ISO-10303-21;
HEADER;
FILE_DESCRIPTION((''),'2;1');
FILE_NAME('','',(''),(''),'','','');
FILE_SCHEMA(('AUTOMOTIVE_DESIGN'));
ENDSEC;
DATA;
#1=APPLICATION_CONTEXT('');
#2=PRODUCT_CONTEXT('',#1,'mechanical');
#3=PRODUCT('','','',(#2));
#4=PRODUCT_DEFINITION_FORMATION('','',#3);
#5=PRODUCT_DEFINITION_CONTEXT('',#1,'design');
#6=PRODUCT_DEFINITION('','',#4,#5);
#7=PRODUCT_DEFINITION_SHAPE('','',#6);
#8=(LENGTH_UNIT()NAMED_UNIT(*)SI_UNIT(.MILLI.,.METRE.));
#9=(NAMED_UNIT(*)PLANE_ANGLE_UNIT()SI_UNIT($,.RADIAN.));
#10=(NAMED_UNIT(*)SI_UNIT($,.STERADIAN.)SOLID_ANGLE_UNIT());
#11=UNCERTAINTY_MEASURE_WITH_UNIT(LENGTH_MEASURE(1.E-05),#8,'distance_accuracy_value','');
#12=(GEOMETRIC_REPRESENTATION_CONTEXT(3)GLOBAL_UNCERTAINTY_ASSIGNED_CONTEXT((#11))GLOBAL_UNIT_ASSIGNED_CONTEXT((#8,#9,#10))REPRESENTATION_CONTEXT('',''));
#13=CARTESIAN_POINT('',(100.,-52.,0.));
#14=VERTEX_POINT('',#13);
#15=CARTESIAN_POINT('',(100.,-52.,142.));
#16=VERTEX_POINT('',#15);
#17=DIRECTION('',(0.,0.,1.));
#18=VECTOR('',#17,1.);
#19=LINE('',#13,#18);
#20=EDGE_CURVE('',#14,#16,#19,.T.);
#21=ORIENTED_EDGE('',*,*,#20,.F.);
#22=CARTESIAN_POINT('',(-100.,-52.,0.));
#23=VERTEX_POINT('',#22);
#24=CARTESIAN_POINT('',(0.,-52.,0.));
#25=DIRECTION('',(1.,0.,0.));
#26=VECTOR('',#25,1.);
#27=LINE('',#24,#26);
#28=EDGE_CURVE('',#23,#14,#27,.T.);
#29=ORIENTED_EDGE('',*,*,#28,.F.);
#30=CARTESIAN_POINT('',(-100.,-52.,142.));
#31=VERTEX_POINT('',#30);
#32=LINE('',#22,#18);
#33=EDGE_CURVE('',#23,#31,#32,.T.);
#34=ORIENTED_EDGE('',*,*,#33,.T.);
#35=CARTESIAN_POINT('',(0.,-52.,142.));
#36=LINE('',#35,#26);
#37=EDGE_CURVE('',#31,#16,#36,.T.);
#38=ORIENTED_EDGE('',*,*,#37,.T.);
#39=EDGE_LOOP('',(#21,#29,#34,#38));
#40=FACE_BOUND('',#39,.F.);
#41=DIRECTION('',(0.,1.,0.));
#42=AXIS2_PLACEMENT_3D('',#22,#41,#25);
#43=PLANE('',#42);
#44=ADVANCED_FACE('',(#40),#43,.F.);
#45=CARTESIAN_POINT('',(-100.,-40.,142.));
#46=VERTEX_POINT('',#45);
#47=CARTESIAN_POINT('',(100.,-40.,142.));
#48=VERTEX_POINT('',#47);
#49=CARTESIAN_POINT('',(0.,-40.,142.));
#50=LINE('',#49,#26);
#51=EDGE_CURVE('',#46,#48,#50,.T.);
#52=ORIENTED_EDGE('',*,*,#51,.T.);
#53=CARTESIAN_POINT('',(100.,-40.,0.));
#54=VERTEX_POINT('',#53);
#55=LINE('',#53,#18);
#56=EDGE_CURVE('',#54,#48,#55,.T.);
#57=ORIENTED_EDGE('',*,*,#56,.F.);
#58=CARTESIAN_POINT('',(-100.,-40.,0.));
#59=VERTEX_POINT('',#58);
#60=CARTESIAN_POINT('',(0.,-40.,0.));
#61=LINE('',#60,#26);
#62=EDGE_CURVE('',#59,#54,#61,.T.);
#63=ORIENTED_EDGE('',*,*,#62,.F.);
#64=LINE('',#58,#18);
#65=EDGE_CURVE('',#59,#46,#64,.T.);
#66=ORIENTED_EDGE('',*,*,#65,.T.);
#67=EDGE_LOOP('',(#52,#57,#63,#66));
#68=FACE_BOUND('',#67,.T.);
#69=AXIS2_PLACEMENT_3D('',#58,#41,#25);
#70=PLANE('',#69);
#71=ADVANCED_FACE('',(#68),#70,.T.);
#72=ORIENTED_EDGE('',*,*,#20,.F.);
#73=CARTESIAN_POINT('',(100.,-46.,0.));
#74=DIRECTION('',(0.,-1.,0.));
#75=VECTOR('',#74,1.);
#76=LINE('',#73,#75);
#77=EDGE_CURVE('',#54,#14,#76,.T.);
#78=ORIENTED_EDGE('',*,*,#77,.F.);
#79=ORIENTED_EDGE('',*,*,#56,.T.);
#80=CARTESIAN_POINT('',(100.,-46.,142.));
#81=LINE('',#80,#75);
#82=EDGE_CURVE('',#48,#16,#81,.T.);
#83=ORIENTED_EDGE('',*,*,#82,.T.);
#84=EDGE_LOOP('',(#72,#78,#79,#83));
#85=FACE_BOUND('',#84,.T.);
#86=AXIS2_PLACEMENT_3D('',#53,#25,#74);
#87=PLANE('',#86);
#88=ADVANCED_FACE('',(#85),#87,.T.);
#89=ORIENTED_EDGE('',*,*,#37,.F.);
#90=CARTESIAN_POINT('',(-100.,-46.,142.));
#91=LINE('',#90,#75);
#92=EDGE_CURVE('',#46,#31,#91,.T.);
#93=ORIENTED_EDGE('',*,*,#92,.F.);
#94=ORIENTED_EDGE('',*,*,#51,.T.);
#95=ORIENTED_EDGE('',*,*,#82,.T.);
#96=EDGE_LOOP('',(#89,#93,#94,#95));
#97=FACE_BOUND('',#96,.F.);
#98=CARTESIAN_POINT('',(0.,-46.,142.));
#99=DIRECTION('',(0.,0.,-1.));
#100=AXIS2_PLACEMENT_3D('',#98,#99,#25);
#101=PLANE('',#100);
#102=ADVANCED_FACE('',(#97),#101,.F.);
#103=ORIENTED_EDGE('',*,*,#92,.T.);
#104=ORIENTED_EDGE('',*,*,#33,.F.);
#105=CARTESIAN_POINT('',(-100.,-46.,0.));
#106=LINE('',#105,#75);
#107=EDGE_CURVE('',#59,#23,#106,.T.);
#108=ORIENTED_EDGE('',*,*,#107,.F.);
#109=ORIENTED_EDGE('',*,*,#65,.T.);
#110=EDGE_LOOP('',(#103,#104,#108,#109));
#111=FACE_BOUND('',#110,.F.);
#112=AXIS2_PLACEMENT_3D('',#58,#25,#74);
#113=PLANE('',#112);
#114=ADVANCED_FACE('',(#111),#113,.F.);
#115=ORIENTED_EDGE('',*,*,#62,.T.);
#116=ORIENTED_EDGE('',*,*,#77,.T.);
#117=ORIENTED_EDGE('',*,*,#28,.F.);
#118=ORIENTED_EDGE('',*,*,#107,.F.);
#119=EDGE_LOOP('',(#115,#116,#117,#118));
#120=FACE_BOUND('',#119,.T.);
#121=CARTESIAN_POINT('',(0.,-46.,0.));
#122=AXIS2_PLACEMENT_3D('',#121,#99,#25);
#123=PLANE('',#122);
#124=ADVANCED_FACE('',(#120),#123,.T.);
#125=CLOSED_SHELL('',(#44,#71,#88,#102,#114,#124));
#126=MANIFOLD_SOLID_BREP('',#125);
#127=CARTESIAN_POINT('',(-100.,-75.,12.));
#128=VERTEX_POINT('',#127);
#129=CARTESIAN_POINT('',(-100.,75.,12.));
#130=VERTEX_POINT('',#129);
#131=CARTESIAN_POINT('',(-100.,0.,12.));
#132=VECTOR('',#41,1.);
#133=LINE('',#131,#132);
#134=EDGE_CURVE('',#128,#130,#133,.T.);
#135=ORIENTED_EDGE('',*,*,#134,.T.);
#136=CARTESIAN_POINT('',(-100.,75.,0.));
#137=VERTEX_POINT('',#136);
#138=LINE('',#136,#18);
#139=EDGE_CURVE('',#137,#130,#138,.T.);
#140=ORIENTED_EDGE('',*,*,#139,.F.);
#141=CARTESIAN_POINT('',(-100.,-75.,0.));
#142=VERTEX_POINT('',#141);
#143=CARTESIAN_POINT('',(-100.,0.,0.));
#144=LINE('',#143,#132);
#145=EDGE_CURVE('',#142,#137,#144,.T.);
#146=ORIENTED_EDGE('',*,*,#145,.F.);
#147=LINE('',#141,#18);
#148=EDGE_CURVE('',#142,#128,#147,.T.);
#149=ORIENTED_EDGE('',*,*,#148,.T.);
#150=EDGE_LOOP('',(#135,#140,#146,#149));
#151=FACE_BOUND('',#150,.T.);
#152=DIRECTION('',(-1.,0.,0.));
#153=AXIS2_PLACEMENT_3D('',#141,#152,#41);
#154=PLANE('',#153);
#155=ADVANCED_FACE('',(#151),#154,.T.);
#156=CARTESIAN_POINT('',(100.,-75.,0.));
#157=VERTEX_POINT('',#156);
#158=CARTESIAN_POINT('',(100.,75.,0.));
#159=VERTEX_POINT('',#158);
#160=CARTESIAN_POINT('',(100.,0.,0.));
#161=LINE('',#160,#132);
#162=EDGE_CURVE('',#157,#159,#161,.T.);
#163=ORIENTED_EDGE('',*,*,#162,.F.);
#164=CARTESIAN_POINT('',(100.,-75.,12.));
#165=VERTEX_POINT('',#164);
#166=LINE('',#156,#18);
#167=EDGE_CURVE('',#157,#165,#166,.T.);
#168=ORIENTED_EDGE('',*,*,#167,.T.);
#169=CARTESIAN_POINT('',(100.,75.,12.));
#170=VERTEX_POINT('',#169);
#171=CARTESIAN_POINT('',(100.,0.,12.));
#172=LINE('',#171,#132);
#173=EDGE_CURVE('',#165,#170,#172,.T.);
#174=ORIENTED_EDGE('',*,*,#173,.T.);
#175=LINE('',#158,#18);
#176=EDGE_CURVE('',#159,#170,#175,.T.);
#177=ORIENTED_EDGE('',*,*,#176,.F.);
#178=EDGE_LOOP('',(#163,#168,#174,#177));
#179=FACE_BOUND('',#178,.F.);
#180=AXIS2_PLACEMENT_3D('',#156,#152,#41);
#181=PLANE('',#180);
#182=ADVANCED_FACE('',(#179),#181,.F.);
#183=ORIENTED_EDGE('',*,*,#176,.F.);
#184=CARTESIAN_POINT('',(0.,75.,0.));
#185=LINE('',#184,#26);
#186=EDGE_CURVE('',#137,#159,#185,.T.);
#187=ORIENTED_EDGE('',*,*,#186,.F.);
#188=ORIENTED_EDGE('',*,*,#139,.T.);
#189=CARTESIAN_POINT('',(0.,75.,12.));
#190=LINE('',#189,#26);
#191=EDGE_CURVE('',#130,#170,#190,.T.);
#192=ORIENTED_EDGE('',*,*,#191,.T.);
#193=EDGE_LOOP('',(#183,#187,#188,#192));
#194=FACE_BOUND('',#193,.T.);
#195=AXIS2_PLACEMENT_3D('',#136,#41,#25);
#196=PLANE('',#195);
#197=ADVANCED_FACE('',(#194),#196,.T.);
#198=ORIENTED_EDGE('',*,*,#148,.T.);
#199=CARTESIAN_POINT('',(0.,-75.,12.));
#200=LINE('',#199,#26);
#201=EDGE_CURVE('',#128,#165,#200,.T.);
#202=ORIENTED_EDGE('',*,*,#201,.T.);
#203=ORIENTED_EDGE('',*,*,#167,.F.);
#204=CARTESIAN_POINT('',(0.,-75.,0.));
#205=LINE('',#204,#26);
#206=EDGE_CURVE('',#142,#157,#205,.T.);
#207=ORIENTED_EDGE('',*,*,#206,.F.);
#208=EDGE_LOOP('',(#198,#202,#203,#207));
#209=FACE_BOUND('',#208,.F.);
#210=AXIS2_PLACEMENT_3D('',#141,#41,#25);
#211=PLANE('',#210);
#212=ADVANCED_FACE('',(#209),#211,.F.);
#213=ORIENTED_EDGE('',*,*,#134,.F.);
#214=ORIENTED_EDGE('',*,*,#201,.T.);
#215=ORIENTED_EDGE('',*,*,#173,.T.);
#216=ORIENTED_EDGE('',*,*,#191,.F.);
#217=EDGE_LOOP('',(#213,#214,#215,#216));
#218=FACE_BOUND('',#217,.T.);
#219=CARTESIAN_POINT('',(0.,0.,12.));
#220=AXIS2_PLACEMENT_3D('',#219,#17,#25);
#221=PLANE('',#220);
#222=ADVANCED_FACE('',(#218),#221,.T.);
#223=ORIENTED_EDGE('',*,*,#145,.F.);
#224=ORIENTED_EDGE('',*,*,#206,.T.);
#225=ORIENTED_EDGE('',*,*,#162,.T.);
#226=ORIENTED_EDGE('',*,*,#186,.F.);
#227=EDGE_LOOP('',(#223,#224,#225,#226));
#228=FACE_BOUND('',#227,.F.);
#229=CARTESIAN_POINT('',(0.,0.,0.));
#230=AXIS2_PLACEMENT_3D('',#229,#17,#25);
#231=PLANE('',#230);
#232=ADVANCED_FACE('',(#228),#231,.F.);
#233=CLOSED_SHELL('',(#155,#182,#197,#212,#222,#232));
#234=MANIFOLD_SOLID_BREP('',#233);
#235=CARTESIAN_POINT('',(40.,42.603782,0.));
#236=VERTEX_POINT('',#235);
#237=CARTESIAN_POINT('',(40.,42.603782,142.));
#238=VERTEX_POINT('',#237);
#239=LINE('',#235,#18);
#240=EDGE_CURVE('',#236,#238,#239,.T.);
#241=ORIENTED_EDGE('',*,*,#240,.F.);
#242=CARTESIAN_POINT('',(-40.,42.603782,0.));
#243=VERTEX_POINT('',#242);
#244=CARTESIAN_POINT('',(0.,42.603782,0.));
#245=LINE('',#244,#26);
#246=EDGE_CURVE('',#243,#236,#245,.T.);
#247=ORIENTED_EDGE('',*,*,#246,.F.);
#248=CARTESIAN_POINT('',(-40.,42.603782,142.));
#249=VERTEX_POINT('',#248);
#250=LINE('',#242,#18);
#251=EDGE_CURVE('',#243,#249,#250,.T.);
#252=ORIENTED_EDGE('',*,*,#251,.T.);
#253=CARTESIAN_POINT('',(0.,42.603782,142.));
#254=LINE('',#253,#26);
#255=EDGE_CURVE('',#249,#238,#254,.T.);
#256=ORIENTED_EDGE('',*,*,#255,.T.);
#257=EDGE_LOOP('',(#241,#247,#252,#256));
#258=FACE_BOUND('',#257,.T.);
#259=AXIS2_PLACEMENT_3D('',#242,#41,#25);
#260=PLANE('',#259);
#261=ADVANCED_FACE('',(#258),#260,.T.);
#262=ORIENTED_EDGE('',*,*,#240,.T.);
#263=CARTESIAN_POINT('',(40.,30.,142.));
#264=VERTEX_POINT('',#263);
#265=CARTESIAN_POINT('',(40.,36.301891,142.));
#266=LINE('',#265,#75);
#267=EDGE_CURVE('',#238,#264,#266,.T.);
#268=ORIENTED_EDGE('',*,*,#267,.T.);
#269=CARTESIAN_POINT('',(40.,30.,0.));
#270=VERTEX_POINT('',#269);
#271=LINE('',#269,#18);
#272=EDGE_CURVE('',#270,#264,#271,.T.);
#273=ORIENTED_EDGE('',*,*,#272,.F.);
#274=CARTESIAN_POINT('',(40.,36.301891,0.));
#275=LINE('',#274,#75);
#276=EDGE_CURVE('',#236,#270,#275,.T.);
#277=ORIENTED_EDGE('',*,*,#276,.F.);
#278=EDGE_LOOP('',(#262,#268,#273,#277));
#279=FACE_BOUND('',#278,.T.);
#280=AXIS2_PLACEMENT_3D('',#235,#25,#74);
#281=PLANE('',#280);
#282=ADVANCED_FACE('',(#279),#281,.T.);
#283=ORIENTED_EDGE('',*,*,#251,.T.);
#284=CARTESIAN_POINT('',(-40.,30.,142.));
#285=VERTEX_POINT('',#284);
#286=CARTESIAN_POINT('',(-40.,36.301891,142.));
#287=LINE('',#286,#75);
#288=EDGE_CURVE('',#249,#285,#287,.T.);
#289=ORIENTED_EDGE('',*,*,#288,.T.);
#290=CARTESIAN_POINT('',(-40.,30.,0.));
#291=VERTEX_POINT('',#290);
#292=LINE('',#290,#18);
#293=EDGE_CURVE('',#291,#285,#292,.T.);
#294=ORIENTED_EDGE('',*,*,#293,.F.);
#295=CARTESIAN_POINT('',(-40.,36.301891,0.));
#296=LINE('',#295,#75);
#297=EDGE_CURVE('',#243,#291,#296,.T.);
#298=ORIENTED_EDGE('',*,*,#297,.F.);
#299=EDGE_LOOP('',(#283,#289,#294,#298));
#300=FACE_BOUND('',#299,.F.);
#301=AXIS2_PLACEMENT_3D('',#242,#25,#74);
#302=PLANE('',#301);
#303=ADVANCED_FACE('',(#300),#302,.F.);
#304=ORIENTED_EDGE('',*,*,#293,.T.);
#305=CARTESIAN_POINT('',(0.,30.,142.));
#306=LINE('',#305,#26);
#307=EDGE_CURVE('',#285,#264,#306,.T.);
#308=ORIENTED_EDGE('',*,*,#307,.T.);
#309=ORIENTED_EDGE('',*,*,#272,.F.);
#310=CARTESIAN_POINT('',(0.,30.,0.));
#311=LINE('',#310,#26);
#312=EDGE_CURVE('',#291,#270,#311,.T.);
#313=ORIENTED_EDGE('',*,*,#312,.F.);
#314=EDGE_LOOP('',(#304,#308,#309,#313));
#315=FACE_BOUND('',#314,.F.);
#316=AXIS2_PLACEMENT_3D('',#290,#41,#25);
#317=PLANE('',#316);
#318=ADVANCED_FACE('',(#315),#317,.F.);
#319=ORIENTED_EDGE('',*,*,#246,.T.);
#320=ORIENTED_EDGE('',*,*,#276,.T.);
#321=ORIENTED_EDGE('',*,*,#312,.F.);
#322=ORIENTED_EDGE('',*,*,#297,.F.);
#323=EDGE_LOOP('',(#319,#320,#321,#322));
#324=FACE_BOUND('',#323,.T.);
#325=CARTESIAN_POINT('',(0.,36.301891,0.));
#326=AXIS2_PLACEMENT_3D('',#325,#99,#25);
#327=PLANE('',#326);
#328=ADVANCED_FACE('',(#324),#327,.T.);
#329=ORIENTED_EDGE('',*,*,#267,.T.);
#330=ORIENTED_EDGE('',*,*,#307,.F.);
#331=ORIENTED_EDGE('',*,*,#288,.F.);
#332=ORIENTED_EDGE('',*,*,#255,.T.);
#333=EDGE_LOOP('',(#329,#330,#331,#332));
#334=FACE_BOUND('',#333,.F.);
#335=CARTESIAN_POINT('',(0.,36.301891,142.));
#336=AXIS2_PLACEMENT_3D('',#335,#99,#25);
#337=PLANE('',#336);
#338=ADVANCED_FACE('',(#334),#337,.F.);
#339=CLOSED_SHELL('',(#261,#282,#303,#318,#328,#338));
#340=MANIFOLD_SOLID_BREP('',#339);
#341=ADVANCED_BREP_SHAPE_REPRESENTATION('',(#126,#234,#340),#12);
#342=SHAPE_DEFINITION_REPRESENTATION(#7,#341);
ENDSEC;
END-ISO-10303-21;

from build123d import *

# Parameters (mm, degrees)
F0_W     = 200
F0_H     = 150
F1_DEPTH = 12
F2_W     = 200
F2_H     = 12
F2_W_2   = 80
F2_H_2   = 12.603782
F3_DEPTH = 142


with BuildPart() as f1:
    # F0 (on Top) → F1 (new body)
    with BuildSketch(Plane.XY):
        Rectangle(F0_W, F0_H)
    extrude(amount=F1_DEPTH)


with BuildPart() as f3:
    # F2 (on face) → F3 (new body)
    with BuildSketch(Plane(origin=(0, 0, 0), x_dir=(1, 0, 0), z_dir=(0, 0, -1))):
        with Locations((0, 46)):
            Rectangle(F2_W, F2_H)
        with Locations((0, -36.301891)):
            Rectangle(F2_W_2, F2_H_2)
    extrude(amount=-F3_DEPTH)


solid = Compound([f1.part, f3.part])
